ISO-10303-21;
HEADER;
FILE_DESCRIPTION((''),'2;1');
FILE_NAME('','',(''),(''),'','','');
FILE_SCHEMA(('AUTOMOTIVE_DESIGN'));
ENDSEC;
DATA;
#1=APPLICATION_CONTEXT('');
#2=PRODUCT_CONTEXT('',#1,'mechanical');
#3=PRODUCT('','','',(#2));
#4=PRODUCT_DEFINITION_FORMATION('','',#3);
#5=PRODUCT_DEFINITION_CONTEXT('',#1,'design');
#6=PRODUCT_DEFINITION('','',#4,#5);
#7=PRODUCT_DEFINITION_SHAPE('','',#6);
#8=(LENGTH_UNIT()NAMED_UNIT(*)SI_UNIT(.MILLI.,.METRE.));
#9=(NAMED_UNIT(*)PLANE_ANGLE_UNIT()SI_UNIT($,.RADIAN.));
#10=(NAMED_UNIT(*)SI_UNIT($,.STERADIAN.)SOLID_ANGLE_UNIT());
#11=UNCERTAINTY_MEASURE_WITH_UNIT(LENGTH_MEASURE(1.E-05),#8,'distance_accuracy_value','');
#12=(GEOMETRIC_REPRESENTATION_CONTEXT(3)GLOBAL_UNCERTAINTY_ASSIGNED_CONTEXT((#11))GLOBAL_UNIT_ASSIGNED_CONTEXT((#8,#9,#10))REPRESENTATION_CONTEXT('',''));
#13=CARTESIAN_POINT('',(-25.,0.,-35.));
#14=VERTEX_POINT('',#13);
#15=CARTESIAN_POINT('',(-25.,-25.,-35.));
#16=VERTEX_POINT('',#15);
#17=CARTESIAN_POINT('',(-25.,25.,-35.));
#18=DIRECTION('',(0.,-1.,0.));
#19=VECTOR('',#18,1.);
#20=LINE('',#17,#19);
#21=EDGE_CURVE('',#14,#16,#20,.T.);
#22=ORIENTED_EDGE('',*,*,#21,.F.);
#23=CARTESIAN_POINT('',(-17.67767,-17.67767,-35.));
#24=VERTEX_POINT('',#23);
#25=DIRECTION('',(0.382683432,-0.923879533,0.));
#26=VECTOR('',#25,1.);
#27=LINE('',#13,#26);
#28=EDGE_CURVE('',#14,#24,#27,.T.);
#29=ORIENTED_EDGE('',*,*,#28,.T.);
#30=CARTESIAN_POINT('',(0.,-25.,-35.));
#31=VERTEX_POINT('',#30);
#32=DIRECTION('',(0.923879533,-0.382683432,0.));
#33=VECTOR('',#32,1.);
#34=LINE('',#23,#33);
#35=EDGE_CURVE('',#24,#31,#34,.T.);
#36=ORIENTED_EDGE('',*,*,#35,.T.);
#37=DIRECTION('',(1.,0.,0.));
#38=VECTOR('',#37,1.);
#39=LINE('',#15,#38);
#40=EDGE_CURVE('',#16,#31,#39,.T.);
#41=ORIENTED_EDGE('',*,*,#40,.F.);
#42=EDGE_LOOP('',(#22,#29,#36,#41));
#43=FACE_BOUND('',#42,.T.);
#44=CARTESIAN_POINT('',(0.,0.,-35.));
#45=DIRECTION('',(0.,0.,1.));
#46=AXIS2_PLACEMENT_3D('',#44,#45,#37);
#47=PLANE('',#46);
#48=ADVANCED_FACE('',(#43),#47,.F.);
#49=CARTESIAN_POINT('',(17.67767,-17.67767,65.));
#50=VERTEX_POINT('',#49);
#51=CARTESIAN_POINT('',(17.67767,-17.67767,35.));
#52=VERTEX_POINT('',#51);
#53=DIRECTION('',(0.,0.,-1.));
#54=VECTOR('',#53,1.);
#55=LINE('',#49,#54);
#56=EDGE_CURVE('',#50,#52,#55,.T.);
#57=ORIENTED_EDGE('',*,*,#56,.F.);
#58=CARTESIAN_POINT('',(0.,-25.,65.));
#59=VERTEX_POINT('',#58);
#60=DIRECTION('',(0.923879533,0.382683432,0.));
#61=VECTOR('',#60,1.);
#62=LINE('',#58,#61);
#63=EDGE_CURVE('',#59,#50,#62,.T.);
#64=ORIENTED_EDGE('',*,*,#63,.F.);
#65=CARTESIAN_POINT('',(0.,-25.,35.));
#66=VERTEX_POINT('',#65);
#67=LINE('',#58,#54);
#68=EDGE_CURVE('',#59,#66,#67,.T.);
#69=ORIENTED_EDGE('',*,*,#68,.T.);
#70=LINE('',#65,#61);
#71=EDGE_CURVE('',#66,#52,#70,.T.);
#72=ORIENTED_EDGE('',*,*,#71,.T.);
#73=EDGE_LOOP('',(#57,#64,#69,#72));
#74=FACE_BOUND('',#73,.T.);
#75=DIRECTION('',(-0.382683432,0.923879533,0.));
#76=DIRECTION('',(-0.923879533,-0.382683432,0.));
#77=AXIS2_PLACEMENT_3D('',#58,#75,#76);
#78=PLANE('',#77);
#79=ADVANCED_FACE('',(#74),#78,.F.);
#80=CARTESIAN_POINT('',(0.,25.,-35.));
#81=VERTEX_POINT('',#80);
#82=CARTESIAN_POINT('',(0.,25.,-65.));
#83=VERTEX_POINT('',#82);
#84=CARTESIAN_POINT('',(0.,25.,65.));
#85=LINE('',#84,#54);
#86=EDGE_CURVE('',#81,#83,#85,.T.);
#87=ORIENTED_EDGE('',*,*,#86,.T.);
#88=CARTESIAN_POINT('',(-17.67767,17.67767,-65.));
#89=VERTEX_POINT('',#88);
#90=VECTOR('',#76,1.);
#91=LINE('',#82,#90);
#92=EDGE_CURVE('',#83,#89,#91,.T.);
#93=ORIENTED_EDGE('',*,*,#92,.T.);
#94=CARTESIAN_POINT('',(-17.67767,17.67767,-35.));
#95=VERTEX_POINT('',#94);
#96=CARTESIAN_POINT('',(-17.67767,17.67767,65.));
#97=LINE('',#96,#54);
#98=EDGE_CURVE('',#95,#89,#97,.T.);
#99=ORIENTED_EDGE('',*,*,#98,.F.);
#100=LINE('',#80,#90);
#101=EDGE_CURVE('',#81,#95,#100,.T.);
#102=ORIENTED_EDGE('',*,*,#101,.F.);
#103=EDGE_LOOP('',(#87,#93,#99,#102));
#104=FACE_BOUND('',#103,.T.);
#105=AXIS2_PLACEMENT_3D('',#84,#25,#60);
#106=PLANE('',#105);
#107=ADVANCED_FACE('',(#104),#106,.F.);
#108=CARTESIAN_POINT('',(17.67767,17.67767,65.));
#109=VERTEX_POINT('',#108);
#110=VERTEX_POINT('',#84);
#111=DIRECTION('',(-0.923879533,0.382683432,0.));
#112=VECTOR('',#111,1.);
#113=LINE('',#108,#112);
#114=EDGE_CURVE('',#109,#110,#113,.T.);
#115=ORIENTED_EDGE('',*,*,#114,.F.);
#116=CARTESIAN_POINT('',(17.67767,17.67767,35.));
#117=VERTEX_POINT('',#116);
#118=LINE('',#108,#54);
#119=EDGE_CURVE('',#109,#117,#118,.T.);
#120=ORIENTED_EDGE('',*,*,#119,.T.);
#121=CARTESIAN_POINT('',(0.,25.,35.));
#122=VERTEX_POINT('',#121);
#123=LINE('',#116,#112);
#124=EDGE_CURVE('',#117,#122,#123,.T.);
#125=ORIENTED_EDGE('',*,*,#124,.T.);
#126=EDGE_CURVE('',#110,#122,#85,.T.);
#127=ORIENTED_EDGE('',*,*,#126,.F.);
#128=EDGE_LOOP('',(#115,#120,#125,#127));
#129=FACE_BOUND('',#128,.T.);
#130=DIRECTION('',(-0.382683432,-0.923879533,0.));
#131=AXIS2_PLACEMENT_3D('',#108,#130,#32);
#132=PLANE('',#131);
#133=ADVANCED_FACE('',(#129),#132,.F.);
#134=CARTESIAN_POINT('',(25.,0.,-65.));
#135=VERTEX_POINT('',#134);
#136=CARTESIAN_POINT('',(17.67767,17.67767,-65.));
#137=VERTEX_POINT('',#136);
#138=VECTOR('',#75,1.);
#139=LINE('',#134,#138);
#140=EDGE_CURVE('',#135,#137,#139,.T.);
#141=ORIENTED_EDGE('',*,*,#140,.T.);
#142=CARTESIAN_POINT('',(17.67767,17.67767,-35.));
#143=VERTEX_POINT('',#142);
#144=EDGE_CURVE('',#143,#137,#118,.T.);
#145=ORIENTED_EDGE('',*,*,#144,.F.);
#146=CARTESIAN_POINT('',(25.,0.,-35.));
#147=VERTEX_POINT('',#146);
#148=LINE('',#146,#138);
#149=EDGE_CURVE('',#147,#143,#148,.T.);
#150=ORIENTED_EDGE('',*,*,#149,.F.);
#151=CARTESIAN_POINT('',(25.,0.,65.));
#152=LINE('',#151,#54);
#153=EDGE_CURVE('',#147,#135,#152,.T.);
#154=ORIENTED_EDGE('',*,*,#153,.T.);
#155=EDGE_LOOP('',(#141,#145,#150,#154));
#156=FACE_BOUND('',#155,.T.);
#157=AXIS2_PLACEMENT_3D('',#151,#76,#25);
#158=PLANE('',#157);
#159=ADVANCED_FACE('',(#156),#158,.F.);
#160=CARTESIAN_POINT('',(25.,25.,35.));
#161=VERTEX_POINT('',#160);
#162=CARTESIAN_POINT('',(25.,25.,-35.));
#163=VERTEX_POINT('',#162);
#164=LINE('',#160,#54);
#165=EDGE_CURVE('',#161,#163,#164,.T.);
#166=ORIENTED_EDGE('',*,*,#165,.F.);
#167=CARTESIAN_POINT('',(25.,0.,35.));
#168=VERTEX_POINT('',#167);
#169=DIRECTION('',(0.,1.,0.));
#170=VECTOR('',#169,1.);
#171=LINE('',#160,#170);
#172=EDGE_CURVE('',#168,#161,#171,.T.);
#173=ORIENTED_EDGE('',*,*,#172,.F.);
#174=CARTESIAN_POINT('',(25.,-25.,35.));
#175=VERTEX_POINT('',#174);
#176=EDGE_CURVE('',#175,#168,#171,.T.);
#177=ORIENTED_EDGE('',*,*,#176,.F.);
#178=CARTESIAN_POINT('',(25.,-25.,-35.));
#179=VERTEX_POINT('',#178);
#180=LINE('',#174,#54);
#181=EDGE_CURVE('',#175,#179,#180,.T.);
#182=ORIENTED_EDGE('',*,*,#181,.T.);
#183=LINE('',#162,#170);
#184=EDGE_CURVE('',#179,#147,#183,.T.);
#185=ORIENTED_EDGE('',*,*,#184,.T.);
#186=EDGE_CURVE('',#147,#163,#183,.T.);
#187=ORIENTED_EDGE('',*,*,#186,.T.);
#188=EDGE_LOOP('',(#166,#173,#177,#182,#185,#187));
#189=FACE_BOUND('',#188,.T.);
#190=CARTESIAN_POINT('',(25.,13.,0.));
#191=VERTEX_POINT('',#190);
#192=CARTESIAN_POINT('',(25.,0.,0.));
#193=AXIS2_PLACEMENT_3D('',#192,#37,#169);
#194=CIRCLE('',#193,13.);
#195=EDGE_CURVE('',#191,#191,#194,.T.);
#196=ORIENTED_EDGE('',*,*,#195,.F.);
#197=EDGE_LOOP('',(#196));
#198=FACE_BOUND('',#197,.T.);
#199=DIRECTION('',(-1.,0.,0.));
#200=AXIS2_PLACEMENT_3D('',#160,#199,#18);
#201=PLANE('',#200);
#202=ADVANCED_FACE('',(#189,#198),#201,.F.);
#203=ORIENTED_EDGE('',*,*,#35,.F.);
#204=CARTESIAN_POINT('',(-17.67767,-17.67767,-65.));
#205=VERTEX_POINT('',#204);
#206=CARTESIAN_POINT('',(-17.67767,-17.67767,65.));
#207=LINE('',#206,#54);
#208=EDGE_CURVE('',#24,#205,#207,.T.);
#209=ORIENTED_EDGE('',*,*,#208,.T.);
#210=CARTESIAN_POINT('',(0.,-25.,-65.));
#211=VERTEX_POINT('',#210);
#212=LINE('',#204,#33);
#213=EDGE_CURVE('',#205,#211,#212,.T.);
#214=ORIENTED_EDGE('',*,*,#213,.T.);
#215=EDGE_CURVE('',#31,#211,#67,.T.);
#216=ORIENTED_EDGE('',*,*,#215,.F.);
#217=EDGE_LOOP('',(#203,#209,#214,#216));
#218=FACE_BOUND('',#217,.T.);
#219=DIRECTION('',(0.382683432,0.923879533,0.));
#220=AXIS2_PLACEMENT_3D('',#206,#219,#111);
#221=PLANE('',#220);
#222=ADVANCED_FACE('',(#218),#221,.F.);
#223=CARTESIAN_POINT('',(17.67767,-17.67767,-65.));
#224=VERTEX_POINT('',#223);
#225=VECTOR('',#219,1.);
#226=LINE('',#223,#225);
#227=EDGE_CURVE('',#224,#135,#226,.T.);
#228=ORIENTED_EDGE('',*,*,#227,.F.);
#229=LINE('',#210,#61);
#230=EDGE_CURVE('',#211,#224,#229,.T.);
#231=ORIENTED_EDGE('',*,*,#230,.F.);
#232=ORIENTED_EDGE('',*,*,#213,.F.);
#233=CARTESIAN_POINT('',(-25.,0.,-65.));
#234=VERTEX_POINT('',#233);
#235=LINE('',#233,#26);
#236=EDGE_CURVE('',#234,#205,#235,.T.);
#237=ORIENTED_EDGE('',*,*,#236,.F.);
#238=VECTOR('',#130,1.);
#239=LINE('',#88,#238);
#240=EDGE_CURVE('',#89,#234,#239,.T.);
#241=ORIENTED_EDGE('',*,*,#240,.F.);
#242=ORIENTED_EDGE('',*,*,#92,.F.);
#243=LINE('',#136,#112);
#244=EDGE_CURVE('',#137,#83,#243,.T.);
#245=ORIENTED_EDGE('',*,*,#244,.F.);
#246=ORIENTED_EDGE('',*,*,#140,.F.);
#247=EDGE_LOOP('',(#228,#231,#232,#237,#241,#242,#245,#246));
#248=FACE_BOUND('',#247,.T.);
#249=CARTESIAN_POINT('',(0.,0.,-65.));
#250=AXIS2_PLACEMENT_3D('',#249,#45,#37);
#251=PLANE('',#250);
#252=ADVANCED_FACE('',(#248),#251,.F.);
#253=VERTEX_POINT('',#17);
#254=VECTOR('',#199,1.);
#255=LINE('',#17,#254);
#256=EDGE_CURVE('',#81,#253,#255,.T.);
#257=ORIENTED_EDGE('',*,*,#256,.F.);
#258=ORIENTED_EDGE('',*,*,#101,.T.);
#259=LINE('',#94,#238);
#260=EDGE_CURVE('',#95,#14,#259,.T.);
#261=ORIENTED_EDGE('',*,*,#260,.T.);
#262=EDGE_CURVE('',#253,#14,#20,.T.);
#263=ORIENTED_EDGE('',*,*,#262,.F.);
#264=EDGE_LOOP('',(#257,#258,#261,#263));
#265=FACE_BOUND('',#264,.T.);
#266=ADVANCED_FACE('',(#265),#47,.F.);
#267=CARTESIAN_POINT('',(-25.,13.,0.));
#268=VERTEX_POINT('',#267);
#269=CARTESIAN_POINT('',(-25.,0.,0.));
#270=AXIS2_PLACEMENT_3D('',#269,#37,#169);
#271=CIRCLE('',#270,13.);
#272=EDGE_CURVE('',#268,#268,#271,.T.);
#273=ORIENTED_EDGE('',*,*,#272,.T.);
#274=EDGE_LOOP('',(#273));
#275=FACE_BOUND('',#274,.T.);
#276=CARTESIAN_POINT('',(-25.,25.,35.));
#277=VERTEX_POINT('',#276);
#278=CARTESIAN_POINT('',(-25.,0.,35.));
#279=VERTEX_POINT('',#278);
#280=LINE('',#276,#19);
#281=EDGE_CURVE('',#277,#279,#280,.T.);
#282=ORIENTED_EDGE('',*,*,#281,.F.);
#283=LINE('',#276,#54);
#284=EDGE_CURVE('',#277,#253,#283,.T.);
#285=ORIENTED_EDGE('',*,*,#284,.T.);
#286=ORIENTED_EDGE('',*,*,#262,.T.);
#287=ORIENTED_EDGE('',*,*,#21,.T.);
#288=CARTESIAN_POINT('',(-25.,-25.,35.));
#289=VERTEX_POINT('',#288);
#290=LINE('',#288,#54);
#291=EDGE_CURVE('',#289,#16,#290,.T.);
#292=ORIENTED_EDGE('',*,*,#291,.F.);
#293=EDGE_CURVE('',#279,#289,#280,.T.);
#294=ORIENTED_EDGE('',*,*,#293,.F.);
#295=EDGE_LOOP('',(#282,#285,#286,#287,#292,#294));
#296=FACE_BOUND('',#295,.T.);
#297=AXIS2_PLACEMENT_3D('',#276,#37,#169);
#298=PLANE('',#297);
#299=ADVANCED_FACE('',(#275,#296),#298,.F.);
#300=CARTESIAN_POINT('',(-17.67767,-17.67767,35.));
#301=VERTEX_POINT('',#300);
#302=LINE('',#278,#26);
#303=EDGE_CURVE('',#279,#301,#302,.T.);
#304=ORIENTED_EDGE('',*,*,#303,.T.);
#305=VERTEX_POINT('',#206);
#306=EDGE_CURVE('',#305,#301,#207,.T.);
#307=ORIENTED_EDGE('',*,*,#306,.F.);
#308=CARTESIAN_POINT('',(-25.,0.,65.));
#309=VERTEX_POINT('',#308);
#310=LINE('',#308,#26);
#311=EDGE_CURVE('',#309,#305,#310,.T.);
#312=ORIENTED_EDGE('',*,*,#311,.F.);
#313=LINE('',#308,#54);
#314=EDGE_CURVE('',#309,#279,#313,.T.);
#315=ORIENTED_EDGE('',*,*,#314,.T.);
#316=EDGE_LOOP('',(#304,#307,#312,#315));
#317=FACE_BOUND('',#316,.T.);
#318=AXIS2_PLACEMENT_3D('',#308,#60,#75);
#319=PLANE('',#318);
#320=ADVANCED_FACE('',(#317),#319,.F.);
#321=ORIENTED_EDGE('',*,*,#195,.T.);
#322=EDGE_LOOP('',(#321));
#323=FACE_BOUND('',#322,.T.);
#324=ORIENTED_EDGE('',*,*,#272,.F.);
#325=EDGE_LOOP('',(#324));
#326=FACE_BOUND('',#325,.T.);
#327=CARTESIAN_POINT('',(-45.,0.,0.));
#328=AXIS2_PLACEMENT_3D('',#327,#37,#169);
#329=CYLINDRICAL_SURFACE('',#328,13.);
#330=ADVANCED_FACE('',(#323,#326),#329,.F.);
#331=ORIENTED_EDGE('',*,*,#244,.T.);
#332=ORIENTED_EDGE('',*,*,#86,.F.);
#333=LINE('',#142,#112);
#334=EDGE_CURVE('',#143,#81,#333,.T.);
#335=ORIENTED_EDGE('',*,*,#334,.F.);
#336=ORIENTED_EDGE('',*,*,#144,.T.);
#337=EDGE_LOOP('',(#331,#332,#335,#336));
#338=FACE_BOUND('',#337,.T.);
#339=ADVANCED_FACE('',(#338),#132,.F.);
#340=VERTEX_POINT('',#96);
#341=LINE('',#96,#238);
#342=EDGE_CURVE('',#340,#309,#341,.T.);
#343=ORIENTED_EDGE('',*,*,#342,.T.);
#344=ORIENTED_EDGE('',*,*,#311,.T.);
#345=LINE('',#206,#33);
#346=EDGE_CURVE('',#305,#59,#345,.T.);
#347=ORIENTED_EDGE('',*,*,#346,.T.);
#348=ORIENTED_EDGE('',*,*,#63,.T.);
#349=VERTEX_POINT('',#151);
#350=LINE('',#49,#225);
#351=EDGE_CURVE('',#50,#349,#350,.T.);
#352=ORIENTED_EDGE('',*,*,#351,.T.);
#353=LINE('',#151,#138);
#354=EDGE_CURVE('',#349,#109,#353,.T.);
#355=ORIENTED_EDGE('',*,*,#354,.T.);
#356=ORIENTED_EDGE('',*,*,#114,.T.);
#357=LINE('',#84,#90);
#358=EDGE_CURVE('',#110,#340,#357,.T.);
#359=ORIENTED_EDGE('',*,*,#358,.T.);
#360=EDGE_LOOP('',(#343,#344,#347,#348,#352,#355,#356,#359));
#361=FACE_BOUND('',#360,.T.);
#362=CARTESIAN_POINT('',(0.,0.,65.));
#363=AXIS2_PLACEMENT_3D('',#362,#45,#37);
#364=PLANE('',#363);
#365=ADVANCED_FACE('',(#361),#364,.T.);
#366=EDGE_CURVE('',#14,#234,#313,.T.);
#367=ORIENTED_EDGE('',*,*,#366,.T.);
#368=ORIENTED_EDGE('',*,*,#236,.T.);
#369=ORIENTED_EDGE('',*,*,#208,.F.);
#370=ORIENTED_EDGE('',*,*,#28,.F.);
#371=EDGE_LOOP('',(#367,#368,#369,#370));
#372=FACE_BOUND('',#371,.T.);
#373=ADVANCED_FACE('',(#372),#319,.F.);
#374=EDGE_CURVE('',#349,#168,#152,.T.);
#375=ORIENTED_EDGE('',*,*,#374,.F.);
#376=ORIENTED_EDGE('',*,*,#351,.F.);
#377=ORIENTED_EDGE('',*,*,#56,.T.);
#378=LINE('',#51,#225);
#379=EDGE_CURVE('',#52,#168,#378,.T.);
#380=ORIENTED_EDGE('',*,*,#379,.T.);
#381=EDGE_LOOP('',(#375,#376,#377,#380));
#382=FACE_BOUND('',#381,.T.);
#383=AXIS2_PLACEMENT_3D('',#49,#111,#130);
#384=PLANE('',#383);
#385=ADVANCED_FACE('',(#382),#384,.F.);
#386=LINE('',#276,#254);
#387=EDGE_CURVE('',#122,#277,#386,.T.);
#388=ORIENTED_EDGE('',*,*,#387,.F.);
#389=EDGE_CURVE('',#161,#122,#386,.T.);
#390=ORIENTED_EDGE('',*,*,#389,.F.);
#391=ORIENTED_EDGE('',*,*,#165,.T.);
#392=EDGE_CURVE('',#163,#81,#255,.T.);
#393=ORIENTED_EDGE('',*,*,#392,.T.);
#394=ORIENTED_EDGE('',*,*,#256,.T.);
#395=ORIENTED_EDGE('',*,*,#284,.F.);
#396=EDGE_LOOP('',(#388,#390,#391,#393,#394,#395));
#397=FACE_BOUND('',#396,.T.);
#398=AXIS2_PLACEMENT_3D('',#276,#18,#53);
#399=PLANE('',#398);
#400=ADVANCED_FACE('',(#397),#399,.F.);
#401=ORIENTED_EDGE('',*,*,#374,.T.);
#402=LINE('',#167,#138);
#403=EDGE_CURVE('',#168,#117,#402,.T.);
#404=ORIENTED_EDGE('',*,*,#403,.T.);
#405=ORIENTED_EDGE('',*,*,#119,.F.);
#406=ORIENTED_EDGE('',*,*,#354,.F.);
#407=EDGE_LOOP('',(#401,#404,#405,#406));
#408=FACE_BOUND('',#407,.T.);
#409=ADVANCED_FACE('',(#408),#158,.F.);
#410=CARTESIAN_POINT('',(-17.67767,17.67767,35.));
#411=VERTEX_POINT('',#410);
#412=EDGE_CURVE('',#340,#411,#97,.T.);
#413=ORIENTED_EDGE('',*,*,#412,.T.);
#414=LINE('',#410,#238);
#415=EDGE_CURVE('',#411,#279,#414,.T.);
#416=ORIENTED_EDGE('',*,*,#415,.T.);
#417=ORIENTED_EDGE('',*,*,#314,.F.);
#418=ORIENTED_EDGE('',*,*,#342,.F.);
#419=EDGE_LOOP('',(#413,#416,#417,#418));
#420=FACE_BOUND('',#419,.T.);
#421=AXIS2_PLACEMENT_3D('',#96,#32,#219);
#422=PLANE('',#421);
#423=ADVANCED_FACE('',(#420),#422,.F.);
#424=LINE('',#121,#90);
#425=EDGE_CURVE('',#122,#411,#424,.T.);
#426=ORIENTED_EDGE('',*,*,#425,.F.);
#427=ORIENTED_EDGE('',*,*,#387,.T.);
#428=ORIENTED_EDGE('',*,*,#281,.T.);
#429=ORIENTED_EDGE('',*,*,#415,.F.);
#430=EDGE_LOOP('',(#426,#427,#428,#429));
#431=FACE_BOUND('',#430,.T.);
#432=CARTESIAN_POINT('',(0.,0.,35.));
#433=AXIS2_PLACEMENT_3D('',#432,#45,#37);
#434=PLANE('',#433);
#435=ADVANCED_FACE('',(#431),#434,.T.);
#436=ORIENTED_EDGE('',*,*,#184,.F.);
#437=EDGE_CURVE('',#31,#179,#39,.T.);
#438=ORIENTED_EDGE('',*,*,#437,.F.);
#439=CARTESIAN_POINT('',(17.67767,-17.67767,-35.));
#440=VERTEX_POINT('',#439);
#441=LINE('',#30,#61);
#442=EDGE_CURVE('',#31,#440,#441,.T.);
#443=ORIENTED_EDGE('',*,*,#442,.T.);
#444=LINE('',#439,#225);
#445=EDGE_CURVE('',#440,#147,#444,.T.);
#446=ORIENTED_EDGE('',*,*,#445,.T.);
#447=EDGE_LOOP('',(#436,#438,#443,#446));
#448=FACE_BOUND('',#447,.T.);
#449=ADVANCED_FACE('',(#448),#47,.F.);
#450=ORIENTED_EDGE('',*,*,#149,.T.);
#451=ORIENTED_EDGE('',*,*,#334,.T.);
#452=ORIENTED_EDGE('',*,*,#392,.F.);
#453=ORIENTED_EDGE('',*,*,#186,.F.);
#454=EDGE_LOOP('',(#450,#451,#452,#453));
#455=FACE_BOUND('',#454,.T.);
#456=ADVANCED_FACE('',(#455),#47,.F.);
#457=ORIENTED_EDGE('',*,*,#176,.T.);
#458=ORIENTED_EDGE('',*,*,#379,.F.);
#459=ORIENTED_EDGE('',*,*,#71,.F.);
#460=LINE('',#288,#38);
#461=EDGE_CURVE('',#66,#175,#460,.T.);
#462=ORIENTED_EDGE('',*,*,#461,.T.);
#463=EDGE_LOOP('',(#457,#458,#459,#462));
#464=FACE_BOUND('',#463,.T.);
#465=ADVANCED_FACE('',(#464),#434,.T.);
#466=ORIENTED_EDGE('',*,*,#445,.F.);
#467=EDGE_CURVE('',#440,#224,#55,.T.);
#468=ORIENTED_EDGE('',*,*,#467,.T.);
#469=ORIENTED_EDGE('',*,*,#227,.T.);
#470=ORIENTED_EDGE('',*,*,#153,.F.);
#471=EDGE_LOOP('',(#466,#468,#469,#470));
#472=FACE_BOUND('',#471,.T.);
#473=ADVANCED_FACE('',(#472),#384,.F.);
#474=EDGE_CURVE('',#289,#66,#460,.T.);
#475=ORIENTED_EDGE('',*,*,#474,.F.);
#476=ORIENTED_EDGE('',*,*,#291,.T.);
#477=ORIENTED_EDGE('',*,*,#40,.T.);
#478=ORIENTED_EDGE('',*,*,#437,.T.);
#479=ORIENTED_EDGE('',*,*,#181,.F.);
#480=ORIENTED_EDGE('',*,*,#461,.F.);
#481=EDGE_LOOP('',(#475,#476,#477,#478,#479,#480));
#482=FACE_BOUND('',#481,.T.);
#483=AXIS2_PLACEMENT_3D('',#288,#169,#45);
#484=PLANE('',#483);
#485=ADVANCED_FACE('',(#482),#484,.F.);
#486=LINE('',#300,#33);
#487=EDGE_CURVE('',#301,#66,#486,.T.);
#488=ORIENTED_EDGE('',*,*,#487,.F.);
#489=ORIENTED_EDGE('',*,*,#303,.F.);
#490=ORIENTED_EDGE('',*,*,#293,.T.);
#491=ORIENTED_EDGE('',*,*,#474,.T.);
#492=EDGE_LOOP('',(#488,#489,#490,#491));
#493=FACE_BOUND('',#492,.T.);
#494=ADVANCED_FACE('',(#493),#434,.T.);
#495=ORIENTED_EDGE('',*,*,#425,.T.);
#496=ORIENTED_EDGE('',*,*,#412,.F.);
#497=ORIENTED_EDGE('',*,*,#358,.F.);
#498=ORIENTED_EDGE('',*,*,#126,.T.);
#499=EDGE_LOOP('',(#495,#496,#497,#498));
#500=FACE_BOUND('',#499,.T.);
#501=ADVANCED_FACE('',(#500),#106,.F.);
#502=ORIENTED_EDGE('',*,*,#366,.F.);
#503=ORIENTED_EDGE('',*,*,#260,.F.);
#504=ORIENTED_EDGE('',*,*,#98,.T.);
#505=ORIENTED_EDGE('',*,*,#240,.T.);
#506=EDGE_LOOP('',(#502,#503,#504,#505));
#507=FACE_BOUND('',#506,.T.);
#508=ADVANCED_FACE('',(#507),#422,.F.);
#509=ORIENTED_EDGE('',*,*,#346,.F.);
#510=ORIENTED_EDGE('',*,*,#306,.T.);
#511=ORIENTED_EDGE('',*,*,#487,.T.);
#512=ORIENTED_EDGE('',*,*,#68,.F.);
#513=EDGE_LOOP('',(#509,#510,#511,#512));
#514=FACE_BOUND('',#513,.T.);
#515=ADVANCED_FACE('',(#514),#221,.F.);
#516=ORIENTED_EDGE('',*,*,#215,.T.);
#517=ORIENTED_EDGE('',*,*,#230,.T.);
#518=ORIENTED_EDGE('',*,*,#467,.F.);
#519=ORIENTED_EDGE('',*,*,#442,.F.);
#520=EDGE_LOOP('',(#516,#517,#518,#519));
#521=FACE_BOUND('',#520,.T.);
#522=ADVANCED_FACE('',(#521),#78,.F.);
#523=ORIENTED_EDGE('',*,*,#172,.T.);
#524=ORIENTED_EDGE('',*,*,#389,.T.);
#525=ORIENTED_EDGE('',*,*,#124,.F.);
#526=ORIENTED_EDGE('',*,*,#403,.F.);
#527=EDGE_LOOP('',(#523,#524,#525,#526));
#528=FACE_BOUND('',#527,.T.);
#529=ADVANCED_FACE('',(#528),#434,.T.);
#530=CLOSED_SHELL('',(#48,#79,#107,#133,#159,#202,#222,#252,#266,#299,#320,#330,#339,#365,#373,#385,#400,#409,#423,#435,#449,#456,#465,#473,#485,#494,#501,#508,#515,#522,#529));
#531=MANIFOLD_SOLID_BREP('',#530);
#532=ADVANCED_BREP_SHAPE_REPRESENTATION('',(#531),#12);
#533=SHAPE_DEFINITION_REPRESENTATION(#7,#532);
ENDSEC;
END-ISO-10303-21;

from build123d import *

# Parameters (mm, degrees)
BOSS_EXTRUDE1_DEPTH = 65
SKETCH1_W           = 50
SKETCH1_H           = 50
BOSS_EXTRUDE2_DEPTH = 35
SKETCH3_R           = 13
CUT_EXTRUDE1_DEPTH  = 70


with BuildPart() as part:
    # Sketch2 → Boss-Extrude1 (new body, symmetric)
    with BuildSketch(Plane.XY):
        Polygon((0, -25), (17.67766953, -17.67766953), (25, 0), (17.67766953, 17.67766953), (0, 25), (-17.67766953, 17.67766953), (-25, 0), (-17.67766953, -17.67766953), align=None)
    extrude(amount=BOSS_EXTRUDE1_DEPTH, both=True)

    # Sketch1 → Boss-Extrude2 (add, symmetric)
    with BuildSketch(Plane.XY):
        Rectangle(SKETCH1_W, SKETCH1_H)
    extrude(amount=BOSS_EXTRUDE2_DEPTH, both=True)

    # Sketch3 → Cut-Extrude1 (cut)
    with BuildSketch(Plane(origin=(25, 0, 0), x_dir=(0, 0, -1), z_dir=(1, 0, 0))):
        Circle(SKETCH3_R)
    extrude(amount=-CUT_EXTRUDE1_DEPTH, mode=Mode.SUBTRACT)


solid = part.part
